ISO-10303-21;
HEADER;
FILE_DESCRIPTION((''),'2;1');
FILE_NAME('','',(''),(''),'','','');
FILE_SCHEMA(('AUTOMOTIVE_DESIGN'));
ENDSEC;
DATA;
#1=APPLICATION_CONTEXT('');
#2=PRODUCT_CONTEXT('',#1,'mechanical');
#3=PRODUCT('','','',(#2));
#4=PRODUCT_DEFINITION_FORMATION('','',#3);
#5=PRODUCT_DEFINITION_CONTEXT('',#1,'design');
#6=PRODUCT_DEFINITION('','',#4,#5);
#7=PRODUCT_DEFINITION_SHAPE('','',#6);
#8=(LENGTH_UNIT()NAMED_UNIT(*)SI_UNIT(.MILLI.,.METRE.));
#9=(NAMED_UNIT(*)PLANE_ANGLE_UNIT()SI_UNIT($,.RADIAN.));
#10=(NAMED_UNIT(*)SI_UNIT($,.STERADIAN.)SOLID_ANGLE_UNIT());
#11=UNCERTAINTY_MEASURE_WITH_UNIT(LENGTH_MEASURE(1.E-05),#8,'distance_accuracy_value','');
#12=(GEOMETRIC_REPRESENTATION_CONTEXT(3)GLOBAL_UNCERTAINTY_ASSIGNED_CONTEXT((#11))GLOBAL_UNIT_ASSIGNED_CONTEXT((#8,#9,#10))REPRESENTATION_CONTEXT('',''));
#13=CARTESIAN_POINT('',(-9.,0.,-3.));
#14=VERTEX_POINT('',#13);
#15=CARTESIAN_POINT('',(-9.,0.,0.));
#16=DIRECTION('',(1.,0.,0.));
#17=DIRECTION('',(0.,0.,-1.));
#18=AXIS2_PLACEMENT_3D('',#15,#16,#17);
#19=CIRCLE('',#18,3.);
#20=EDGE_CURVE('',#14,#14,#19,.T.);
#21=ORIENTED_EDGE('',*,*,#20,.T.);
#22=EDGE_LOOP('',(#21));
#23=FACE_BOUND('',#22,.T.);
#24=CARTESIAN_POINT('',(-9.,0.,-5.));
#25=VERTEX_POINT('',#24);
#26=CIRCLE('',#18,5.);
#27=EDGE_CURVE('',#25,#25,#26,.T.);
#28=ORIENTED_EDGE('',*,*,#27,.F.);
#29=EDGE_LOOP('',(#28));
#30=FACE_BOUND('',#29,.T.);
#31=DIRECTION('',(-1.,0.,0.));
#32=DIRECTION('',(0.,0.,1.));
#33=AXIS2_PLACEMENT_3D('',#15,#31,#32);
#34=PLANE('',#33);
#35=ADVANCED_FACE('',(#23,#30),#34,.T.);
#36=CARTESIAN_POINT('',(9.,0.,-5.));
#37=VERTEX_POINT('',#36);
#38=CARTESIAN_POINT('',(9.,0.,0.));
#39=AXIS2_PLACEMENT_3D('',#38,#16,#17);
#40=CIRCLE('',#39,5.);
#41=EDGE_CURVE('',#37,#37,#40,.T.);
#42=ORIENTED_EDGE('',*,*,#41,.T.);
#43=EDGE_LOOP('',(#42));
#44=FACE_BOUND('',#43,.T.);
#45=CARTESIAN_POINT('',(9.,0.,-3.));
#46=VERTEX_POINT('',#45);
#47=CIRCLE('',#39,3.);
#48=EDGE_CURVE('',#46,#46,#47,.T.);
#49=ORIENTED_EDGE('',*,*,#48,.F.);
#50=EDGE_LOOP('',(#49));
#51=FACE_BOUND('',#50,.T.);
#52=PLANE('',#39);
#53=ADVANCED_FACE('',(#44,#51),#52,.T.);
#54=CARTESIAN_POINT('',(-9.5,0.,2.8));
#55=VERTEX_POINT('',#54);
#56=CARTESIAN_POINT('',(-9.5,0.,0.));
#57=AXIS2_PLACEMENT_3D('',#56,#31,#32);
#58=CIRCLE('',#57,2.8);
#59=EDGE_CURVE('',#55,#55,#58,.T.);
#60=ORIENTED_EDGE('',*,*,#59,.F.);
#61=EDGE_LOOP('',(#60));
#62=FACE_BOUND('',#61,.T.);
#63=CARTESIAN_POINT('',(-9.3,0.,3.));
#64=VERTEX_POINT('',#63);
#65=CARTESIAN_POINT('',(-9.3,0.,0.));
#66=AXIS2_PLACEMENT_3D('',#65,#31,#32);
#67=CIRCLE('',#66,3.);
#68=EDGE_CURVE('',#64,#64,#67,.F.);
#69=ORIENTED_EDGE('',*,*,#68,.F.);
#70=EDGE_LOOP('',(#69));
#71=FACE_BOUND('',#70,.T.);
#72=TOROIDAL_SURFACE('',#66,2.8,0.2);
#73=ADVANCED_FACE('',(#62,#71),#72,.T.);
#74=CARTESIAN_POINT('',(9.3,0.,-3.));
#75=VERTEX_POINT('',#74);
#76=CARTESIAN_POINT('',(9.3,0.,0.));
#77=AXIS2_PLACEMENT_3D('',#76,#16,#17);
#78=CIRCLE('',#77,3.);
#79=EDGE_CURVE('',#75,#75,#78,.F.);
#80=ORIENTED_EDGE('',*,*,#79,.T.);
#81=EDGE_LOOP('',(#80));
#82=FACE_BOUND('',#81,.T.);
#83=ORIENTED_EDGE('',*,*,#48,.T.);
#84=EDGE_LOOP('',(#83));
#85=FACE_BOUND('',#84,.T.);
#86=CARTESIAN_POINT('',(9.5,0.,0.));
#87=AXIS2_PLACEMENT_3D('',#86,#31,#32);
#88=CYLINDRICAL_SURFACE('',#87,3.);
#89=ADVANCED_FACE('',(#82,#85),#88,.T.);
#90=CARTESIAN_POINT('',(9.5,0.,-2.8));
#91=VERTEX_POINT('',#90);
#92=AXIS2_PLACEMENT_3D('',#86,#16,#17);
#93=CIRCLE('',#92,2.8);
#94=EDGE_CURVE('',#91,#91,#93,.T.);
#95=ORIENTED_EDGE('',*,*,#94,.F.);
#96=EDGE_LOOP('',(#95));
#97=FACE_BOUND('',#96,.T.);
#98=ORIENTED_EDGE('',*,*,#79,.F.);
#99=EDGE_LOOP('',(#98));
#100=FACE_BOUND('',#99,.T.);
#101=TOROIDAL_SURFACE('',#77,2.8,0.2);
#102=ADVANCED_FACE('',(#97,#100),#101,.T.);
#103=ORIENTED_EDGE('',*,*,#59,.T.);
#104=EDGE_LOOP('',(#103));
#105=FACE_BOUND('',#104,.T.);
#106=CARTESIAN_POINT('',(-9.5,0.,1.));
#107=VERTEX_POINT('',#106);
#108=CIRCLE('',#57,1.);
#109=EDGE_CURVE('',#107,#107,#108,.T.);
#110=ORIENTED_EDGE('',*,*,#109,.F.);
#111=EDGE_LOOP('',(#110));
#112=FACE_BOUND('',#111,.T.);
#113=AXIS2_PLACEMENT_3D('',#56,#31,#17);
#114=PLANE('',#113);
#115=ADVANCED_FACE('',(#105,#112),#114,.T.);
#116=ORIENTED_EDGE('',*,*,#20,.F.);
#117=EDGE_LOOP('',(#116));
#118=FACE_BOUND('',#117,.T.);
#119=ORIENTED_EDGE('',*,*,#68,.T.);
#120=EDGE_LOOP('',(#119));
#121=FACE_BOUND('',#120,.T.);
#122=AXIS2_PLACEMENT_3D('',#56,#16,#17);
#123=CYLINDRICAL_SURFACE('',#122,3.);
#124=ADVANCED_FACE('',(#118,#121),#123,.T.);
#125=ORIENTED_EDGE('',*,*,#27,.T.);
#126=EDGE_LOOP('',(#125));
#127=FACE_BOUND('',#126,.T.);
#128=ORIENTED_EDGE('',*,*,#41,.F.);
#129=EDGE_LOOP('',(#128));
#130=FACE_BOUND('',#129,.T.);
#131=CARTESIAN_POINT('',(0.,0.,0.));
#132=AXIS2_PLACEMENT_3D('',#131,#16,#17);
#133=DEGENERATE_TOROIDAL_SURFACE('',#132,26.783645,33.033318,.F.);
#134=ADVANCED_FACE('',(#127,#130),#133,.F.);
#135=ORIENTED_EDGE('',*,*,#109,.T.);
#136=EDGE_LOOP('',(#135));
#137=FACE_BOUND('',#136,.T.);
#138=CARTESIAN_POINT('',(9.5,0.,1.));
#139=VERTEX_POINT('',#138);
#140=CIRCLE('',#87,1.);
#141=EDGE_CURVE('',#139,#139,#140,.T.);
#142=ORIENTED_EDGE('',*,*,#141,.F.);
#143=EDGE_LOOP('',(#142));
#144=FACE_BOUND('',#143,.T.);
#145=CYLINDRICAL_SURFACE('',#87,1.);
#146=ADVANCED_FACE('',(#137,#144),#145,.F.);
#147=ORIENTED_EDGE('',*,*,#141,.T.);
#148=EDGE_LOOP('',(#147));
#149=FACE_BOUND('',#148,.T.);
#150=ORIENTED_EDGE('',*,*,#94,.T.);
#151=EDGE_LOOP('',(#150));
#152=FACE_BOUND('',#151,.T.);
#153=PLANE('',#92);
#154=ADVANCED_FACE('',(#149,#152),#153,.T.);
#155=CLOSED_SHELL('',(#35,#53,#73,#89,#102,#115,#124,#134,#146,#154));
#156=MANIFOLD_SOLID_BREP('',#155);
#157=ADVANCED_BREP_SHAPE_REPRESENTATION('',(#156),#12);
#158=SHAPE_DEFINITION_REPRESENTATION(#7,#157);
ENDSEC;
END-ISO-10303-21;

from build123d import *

# Parameters (mm, degrees)
SKETCH3_R           = 3
BOSS_EXTRUDE1_DEPTH = 0.5
SKETCH4_R           = 1
CUT_EXTRUDE2_DEPTH  = 20
FILLET1_R           = 0.2


with BuildPart() as part:
    # Sketch1 → Revolve1 (revolve)
    with BuildSketch(Plane(origin=(0, 0, 0), x_dir=(1, 0, 0), z_dir=(0, 1, 0))):
        with BuildLine():
            Line((0, 0), (-9, 0))
            Line((-9, 0), (-9, 5))
            ThreePointArc((-9, 5), (0, 6.249672879), (9, 5))
            Line((9, 5), (9, 0))
            Line((9, 0), (0, 0))
        make_face()
    revolve(axis=Axis((0, 0, 0), (-1, 0, 0)))

    # Sketch3 → Boss-Extrude1 (add)
    with BuildSketch(Plane(origin=(9, 0, 0), x_dir=(0, 0, -1), z_dir=(1, 0, 0))):
        Circle(SKETCH3_R)
    boss_extrude1 = extrude(amount=BOSS_EXTRUDE1_DEPTH)

    # Mirror1: Boss-Extrude1 across plane
    add(boss_extrude1.mirror(Plane(origin=(0, 0, 0), x_dir=(0, 0, 1), z_dir=(1, 0, 0))))

    # Sketch4 → Cut-Extrude2 (cut, through all)
    with BuildSketch(Plane.ZY.offset(9.5)):
        Circle(SKETCH4_R)
    extrude(amount=-CUT_EXTRUDE2_DEPTH, mode=Mode.SUBTRACT)

    # Fillet1
    fillet1_edges = [part.edges().sort_by_distance(p)[0] for p in [
        (9.5, 0, 3),
        (-9.5, 0, 3),
    ]]
    fillet(fillet1_edges, radius=FILLET1_R)


solid = part.part
